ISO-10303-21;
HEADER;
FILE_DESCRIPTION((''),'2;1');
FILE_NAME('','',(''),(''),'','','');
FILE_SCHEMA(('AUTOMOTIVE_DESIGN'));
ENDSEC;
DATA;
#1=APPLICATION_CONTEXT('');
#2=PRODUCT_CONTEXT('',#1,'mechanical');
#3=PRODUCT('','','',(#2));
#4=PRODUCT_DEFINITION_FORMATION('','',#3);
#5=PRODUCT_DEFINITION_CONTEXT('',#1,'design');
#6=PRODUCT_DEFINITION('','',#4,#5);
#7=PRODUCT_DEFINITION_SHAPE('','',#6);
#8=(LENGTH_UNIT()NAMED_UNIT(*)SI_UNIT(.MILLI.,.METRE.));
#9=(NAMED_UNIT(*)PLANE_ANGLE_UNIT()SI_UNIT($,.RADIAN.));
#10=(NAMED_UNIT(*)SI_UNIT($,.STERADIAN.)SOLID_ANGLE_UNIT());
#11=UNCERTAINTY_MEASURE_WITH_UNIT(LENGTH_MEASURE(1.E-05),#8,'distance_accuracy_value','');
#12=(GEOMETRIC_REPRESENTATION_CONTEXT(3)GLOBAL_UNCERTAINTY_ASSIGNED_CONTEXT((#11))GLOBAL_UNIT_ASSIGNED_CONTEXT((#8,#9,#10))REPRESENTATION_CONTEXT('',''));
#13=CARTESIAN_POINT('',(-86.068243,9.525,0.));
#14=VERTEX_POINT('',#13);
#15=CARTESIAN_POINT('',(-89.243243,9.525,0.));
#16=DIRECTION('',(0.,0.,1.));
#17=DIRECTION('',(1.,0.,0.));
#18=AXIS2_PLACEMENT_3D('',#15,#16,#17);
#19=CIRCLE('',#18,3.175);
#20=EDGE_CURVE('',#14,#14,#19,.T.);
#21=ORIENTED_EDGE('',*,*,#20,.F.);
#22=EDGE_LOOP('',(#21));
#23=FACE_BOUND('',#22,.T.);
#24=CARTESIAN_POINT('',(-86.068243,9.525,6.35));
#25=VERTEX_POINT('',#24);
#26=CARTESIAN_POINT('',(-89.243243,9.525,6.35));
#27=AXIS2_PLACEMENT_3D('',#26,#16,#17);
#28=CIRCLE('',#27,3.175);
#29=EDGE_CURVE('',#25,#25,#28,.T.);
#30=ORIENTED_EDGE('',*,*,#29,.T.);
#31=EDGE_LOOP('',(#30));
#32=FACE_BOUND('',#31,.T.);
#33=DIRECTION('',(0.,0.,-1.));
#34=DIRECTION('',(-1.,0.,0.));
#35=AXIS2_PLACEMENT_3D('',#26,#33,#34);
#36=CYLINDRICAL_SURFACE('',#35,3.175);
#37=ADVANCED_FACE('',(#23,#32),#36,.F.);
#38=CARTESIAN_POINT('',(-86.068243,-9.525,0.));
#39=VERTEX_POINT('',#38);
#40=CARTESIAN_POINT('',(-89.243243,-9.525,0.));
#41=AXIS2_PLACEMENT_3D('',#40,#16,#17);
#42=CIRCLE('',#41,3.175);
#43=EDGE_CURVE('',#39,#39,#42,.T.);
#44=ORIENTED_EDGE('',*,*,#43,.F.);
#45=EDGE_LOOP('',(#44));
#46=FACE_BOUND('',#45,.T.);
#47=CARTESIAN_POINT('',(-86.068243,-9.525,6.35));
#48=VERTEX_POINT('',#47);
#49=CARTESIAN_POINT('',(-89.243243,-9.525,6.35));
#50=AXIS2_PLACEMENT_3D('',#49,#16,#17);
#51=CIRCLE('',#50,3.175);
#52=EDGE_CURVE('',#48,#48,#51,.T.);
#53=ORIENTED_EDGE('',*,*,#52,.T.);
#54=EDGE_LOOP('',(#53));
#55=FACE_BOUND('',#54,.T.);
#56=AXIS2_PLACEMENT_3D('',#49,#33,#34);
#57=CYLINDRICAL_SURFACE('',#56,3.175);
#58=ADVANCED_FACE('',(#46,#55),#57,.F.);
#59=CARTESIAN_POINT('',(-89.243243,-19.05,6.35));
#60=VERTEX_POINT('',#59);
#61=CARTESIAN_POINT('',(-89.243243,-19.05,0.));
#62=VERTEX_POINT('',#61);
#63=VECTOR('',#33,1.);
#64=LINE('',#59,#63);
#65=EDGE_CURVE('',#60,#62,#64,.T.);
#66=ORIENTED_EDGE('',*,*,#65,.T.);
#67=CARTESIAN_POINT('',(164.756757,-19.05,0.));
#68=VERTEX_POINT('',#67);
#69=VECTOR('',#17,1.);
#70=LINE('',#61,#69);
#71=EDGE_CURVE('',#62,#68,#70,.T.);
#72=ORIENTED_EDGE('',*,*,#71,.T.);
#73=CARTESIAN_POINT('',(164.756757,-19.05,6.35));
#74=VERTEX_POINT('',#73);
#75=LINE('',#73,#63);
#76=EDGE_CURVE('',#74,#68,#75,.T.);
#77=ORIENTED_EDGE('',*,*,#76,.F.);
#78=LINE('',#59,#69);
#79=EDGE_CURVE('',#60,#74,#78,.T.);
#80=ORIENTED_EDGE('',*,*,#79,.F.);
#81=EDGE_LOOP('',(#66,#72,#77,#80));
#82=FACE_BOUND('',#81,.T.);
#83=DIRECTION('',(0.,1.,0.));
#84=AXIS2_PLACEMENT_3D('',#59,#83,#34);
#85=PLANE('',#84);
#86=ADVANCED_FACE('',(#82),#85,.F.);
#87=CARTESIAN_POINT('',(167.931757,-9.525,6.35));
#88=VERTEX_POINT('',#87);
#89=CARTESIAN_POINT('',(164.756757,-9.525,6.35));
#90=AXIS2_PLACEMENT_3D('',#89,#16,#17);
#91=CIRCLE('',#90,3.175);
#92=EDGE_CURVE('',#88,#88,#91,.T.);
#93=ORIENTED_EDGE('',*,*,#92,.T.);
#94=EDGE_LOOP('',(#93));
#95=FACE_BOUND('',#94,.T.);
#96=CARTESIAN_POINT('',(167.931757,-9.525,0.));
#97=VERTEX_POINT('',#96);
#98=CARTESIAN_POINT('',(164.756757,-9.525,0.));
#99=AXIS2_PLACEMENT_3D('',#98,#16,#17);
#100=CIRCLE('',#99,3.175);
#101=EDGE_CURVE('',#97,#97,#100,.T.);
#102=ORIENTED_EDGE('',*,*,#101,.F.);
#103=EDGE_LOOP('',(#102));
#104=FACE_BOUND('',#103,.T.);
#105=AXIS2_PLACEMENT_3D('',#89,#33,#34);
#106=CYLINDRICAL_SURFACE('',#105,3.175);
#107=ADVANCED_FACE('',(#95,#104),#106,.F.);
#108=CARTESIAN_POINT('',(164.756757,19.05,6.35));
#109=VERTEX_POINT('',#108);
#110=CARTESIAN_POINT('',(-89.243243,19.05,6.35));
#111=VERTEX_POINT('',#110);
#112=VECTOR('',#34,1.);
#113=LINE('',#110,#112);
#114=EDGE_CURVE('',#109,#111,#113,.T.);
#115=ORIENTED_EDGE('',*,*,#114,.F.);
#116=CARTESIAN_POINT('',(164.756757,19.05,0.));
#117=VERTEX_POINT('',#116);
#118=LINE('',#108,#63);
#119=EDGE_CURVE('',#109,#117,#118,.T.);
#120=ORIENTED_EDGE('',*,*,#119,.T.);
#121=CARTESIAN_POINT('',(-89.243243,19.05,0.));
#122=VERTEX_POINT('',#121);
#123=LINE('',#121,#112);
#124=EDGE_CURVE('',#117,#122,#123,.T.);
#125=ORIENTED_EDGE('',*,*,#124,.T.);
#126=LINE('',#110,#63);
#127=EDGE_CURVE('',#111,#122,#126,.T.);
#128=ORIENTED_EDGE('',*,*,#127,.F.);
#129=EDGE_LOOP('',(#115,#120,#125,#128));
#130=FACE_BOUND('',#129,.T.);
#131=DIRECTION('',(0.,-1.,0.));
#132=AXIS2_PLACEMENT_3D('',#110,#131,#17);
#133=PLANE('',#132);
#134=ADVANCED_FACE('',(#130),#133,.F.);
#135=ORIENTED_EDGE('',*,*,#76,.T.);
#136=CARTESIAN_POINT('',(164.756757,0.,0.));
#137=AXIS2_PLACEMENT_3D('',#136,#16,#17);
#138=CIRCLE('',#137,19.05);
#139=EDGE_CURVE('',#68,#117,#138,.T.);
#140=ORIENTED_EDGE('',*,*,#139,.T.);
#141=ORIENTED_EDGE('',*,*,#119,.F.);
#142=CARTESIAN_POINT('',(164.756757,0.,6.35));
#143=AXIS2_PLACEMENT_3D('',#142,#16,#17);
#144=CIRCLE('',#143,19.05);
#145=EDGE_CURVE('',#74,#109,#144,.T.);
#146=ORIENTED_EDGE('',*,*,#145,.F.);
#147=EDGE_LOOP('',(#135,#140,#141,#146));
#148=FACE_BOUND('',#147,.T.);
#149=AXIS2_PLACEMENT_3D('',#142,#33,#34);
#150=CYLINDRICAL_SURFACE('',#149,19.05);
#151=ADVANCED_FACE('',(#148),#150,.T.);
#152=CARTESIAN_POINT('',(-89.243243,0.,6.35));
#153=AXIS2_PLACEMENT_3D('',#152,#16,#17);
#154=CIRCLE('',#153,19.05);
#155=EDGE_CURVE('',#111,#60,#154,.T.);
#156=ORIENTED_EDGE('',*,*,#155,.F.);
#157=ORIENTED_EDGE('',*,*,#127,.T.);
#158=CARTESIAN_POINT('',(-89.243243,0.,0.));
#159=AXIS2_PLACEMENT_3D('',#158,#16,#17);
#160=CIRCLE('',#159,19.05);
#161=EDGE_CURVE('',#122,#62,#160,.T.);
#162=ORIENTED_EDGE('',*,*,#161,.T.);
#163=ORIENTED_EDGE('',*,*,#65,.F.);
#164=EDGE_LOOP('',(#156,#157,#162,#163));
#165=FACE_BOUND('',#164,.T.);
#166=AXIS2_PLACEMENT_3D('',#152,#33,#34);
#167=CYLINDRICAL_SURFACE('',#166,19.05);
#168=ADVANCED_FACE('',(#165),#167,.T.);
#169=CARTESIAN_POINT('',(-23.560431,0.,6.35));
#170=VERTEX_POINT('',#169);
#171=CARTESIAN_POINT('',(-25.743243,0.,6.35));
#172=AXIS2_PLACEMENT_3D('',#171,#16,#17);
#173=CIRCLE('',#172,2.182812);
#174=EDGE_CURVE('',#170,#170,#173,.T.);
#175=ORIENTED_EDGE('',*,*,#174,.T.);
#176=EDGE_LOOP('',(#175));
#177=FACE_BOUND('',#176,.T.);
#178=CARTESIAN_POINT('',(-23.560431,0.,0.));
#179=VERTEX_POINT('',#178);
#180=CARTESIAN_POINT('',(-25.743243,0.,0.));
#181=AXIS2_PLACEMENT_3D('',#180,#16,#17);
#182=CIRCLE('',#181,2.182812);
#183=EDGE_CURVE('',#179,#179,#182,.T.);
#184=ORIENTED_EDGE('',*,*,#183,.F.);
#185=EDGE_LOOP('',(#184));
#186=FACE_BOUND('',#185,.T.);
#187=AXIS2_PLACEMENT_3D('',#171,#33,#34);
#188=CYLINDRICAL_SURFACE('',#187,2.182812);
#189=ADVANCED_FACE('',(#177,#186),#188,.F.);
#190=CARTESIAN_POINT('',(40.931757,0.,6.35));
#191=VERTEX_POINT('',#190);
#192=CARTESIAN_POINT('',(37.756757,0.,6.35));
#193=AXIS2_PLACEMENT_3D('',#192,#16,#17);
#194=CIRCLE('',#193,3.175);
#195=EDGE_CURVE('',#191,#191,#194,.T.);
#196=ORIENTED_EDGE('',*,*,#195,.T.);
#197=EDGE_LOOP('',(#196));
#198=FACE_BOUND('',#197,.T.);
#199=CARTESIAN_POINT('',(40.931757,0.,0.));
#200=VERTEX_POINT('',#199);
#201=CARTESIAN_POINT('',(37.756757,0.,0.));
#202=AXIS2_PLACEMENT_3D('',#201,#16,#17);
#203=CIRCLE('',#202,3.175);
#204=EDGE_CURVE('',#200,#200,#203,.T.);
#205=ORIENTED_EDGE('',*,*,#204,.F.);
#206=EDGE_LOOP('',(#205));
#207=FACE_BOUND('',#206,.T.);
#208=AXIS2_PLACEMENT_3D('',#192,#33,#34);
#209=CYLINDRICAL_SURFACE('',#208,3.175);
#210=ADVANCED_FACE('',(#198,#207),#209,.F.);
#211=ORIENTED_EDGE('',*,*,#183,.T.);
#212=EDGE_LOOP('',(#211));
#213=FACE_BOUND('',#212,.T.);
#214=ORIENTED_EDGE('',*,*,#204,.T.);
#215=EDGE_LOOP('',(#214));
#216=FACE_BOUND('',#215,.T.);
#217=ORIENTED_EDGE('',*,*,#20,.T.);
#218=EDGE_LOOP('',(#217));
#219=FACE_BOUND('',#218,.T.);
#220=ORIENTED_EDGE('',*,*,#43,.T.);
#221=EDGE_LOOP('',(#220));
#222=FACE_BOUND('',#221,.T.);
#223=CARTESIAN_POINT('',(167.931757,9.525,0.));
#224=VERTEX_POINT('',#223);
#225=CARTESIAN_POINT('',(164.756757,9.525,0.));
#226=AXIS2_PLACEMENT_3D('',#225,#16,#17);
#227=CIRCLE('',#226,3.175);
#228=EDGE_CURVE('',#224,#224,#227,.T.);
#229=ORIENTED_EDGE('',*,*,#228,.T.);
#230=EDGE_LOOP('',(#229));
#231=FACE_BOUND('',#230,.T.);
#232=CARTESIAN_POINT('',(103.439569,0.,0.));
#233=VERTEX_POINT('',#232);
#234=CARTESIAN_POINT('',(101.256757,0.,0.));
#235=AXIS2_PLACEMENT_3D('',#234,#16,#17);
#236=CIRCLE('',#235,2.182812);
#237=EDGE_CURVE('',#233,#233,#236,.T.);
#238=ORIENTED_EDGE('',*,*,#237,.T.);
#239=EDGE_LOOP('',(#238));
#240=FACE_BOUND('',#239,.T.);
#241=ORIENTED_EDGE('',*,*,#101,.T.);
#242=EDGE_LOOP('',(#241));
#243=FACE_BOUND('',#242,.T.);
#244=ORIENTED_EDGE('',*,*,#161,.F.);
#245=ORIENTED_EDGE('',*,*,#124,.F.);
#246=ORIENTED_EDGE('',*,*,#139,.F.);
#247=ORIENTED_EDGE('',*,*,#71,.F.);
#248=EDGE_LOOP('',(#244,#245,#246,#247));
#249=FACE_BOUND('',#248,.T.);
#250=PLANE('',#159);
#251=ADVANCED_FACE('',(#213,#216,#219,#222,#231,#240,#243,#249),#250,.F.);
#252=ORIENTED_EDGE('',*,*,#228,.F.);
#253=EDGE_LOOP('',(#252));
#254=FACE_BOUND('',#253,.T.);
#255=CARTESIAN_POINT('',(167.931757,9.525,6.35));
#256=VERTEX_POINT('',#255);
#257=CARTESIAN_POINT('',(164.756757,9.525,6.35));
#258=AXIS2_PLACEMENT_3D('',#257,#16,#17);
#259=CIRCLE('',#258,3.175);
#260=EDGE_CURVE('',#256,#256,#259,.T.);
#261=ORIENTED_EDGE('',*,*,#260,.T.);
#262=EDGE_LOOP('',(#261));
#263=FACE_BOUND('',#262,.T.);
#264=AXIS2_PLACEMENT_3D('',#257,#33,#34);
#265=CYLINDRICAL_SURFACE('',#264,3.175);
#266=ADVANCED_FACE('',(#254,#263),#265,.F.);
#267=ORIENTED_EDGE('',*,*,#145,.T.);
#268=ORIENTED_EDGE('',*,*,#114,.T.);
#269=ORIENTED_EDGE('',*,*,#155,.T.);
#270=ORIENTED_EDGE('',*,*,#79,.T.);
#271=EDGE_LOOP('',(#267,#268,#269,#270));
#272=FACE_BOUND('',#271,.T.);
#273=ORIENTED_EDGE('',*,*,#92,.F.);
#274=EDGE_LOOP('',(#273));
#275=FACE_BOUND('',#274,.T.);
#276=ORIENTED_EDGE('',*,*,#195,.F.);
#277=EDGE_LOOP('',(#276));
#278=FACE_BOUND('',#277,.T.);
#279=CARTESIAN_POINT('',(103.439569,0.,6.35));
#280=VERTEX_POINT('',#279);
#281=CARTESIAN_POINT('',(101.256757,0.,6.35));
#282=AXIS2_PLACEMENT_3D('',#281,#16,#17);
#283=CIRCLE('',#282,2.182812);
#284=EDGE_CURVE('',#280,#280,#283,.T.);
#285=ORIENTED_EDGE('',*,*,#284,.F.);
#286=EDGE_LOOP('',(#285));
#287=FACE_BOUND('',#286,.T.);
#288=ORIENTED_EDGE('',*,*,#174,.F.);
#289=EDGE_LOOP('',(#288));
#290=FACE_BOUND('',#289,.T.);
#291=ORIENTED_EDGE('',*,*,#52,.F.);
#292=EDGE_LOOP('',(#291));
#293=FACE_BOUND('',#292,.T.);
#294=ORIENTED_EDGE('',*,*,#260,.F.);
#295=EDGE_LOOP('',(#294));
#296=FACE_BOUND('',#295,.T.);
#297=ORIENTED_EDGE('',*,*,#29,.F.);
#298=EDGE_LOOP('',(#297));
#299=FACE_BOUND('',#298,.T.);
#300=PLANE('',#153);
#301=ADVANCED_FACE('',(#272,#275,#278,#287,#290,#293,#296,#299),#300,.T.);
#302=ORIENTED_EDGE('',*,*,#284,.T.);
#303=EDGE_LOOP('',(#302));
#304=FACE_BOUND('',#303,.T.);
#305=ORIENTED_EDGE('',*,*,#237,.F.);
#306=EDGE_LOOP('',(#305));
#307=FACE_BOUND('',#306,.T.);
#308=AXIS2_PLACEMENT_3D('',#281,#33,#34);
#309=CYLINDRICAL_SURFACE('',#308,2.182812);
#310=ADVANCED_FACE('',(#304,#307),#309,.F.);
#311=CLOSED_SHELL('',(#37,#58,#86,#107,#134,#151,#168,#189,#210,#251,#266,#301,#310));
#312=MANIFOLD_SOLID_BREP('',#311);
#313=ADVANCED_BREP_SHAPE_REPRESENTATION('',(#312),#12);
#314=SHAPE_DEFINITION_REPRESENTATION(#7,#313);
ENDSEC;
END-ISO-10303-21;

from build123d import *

# Parameters (mm, degrees)
SKETCH1_R           = 3.175
SKETCH1_R_2         = 2.1828125
BOSS_EXTRUDE1_DEPTH = 6.35


with BuildPart() as part:
    # Sketch1 → Boss-Extrude1 (new body)
    with BuildSketch(Plane.XY):
        with BuildLine():
            Line((-89.243243243, 19.05), (164.756756757, 19.05))
            ThreePointArc((164.756756757, 19.05), (183.806756757, 0), (164.756756757, -19.05))
            Line((164.756756757, -19.05), (-89.243243243, -19.05))
            ThreePointArc((-89.243243243, -19.05), (-108.293243243, 0), (-89.243243243, 19.05))
        make_face()
        with Locations((37.756756757, 0)):
            Circle(SKETCH1_R, mode=Mode.SUBTRACT)
        with Locations((-25.743243243, 0)):
            Circle(SKETCH1_R_2, mode=Mode.SUBTRACT)
        with Locations((101.256756757, 0)):
            Circle(SKETCH1_R_2, mode=Mode.SUBTRACT)
        with Locations((164.756756757, -9.525)):
            Circle(SKETCH1_R, mode=Mode.SUBTRACT)
        with Locations((164.756756757, 9.525)):
            Circle(SKETCH1_R, mode=Mode.SUBTRACT)
        with Locations((-89.243243243, 9.525)):
            Circle(SKETCH1_R, mode=Mode.SUBTRACT)
        with Locations((-89.243243243, -9.525)):
            Circle(SKETCH1_R, mode=Mode.SUBTRACT)
    extrude(amount=BOSS_EXTRUDE1_DEPTH)


solid = part.part
